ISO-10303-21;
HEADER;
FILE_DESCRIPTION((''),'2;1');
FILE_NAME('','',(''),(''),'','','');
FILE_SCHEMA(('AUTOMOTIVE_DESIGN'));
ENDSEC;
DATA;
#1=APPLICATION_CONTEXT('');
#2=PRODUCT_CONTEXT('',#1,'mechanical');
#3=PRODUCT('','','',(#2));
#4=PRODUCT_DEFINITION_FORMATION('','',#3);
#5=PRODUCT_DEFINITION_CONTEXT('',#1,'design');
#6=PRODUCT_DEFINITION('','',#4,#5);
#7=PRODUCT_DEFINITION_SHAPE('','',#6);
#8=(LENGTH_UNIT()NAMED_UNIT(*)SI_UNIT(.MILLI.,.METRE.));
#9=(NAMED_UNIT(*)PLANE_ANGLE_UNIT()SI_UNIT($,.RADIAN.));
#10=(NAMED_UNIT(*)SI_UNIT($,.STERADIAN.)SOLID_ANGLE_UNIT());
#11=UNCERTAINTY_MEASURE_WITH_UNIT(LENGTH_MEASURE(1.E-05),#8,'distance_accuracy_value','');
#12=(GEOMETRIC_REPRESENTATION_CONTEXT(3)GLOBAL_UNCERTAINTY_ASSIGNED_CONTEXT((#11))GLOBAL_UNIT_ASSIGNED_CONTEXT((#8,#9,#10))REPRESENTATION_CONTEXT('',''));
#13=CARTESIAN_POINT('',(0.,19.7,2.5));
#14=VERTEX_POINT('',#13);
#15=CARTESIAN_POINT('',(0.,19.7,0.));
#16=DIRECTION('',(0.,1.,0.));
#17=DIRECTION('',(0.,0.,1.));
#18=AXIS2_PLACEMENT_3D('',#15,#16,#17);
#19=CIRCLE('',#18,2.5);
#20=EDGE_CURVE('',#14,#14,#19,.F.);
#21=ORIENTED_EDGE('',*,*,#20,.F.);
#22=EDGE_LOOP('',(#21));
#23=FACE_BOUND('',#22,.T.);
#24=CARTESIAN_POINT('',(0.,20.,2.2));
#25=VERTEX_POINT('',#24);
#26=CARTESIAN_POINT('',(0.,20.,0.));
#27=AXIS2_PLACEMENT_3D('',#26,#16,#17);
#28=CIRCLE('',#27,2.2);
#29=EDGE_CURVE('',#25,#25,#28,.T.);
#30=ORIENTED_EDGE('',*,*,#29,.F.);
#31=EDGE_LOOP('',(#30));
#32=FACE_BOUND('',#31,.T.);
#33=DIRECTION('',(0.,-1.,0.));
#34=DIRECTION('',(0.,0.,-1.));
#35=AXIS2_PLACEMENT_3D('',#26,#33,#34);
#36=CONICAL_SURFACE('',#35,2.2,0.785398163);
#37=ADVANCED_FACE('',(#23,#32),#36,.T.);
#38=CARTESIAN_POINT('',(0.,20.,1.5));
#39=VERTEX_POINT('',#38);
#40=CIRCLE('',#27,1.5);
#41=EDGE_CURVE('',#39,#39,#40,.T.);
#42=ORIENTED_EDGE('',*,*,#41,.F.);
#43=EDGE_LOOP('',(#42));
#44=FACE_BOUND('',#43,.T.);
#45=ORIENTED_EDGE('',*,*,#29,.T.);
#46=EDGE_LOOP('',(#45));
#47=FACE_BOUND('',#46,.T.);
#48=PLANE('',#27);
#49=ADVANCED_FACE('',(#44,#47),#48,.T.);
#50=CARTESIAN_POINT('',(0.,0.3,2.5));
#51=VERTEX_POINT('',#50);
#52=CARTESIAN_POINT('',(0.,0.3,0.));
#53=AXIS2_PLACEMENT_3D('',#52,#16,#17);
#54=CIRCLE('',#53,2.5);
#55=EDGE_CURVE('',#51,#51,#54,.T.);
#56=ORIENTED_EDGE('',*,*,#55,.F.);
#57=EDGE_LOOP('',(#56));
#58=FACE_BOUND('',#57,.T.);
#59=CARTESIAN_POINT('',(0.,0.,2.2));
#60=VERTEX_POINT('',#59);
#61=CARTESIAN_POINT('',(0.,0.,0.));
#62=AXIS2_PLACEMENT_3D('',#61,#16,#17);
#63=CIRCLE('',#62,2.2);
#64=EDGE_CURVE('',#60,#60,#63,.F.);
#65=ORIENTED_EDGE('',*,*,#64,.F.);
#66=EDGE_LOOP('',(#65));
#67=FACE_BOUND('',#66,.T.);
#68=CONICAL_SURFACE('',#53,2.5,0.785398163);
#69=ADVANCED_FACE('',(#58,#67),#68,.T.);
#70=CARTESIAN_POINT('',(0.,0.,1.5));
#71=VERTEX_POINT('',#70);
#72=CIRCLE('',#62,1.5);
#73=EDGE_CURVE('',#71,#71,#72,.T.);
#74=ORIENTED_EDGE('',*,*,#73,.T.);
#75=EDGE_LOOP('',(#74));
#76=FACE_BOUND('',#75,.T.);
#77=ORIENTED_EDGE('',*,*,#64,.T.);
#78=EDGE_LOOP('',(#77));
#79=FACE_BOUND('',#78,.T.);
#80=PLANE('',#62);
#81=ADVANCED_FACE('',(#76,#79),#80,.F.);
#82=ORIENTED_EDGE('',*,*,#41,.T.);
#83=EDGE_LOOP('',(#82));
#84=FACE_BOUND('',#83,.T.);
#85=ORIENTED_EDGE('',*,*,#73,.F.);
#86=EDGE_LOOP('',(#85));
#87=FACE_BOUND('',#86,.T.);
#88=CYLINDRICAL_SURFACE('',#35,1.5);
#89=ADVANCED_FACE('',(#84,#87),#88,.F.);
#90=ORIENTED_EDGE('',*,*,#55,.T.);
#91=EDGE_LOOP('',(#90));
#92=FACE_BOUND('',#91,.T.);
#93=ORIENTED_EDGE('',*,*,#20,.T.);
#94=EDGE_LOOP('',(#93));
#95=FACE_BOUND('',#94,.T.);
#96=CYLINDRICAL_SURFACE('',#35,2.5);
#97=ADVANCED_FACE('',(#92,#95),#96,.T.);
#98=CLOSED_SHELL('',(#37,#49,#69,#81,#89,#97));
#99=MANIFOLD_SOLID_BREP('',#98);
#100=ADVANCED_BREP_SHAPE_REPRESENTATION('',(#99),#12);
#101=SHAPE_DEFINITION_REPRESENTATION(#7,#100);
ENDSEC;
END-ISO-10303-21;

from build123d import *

# Parameters (mm, degrees)
SKETCH_1_R      = 2.5
SKETCH_1_R_2    = 1.5
EXTRUDE_1_DEPTH = 20
CHAMFER_1_SIZE  = 0.3


with BuildPart() as part:
    # 草图1 → 凸台-拉伸1 (new body)
    with BuildSketch(Plane(origin=(0, 0, 0), x_dir=(1, 0, 0), z_dir=(0, 1, 0))):
        with Locations(Location((0, 0, 0), (0, 0, 270))):
            Circle(SKETCH_1_R)
        with Locations(Location((0, 0, 0), (0, 0, 270))):
            Circle(SKETCH_1_R_2, mode=Mode.SUBTRACT)
    extrude(amount=EXTRUDE_1_DEPTH)

    # 倒角1
    chamfer_1_edges = [part.edges().sort_by_distance(p)[0] for p in [
        (0, 0, -2.5),
        (0, 20, -2.5),
    ]]
    chamfer(chamfer_1_edges, length=CHAMFER_1_SIZE)


solid = part.part
